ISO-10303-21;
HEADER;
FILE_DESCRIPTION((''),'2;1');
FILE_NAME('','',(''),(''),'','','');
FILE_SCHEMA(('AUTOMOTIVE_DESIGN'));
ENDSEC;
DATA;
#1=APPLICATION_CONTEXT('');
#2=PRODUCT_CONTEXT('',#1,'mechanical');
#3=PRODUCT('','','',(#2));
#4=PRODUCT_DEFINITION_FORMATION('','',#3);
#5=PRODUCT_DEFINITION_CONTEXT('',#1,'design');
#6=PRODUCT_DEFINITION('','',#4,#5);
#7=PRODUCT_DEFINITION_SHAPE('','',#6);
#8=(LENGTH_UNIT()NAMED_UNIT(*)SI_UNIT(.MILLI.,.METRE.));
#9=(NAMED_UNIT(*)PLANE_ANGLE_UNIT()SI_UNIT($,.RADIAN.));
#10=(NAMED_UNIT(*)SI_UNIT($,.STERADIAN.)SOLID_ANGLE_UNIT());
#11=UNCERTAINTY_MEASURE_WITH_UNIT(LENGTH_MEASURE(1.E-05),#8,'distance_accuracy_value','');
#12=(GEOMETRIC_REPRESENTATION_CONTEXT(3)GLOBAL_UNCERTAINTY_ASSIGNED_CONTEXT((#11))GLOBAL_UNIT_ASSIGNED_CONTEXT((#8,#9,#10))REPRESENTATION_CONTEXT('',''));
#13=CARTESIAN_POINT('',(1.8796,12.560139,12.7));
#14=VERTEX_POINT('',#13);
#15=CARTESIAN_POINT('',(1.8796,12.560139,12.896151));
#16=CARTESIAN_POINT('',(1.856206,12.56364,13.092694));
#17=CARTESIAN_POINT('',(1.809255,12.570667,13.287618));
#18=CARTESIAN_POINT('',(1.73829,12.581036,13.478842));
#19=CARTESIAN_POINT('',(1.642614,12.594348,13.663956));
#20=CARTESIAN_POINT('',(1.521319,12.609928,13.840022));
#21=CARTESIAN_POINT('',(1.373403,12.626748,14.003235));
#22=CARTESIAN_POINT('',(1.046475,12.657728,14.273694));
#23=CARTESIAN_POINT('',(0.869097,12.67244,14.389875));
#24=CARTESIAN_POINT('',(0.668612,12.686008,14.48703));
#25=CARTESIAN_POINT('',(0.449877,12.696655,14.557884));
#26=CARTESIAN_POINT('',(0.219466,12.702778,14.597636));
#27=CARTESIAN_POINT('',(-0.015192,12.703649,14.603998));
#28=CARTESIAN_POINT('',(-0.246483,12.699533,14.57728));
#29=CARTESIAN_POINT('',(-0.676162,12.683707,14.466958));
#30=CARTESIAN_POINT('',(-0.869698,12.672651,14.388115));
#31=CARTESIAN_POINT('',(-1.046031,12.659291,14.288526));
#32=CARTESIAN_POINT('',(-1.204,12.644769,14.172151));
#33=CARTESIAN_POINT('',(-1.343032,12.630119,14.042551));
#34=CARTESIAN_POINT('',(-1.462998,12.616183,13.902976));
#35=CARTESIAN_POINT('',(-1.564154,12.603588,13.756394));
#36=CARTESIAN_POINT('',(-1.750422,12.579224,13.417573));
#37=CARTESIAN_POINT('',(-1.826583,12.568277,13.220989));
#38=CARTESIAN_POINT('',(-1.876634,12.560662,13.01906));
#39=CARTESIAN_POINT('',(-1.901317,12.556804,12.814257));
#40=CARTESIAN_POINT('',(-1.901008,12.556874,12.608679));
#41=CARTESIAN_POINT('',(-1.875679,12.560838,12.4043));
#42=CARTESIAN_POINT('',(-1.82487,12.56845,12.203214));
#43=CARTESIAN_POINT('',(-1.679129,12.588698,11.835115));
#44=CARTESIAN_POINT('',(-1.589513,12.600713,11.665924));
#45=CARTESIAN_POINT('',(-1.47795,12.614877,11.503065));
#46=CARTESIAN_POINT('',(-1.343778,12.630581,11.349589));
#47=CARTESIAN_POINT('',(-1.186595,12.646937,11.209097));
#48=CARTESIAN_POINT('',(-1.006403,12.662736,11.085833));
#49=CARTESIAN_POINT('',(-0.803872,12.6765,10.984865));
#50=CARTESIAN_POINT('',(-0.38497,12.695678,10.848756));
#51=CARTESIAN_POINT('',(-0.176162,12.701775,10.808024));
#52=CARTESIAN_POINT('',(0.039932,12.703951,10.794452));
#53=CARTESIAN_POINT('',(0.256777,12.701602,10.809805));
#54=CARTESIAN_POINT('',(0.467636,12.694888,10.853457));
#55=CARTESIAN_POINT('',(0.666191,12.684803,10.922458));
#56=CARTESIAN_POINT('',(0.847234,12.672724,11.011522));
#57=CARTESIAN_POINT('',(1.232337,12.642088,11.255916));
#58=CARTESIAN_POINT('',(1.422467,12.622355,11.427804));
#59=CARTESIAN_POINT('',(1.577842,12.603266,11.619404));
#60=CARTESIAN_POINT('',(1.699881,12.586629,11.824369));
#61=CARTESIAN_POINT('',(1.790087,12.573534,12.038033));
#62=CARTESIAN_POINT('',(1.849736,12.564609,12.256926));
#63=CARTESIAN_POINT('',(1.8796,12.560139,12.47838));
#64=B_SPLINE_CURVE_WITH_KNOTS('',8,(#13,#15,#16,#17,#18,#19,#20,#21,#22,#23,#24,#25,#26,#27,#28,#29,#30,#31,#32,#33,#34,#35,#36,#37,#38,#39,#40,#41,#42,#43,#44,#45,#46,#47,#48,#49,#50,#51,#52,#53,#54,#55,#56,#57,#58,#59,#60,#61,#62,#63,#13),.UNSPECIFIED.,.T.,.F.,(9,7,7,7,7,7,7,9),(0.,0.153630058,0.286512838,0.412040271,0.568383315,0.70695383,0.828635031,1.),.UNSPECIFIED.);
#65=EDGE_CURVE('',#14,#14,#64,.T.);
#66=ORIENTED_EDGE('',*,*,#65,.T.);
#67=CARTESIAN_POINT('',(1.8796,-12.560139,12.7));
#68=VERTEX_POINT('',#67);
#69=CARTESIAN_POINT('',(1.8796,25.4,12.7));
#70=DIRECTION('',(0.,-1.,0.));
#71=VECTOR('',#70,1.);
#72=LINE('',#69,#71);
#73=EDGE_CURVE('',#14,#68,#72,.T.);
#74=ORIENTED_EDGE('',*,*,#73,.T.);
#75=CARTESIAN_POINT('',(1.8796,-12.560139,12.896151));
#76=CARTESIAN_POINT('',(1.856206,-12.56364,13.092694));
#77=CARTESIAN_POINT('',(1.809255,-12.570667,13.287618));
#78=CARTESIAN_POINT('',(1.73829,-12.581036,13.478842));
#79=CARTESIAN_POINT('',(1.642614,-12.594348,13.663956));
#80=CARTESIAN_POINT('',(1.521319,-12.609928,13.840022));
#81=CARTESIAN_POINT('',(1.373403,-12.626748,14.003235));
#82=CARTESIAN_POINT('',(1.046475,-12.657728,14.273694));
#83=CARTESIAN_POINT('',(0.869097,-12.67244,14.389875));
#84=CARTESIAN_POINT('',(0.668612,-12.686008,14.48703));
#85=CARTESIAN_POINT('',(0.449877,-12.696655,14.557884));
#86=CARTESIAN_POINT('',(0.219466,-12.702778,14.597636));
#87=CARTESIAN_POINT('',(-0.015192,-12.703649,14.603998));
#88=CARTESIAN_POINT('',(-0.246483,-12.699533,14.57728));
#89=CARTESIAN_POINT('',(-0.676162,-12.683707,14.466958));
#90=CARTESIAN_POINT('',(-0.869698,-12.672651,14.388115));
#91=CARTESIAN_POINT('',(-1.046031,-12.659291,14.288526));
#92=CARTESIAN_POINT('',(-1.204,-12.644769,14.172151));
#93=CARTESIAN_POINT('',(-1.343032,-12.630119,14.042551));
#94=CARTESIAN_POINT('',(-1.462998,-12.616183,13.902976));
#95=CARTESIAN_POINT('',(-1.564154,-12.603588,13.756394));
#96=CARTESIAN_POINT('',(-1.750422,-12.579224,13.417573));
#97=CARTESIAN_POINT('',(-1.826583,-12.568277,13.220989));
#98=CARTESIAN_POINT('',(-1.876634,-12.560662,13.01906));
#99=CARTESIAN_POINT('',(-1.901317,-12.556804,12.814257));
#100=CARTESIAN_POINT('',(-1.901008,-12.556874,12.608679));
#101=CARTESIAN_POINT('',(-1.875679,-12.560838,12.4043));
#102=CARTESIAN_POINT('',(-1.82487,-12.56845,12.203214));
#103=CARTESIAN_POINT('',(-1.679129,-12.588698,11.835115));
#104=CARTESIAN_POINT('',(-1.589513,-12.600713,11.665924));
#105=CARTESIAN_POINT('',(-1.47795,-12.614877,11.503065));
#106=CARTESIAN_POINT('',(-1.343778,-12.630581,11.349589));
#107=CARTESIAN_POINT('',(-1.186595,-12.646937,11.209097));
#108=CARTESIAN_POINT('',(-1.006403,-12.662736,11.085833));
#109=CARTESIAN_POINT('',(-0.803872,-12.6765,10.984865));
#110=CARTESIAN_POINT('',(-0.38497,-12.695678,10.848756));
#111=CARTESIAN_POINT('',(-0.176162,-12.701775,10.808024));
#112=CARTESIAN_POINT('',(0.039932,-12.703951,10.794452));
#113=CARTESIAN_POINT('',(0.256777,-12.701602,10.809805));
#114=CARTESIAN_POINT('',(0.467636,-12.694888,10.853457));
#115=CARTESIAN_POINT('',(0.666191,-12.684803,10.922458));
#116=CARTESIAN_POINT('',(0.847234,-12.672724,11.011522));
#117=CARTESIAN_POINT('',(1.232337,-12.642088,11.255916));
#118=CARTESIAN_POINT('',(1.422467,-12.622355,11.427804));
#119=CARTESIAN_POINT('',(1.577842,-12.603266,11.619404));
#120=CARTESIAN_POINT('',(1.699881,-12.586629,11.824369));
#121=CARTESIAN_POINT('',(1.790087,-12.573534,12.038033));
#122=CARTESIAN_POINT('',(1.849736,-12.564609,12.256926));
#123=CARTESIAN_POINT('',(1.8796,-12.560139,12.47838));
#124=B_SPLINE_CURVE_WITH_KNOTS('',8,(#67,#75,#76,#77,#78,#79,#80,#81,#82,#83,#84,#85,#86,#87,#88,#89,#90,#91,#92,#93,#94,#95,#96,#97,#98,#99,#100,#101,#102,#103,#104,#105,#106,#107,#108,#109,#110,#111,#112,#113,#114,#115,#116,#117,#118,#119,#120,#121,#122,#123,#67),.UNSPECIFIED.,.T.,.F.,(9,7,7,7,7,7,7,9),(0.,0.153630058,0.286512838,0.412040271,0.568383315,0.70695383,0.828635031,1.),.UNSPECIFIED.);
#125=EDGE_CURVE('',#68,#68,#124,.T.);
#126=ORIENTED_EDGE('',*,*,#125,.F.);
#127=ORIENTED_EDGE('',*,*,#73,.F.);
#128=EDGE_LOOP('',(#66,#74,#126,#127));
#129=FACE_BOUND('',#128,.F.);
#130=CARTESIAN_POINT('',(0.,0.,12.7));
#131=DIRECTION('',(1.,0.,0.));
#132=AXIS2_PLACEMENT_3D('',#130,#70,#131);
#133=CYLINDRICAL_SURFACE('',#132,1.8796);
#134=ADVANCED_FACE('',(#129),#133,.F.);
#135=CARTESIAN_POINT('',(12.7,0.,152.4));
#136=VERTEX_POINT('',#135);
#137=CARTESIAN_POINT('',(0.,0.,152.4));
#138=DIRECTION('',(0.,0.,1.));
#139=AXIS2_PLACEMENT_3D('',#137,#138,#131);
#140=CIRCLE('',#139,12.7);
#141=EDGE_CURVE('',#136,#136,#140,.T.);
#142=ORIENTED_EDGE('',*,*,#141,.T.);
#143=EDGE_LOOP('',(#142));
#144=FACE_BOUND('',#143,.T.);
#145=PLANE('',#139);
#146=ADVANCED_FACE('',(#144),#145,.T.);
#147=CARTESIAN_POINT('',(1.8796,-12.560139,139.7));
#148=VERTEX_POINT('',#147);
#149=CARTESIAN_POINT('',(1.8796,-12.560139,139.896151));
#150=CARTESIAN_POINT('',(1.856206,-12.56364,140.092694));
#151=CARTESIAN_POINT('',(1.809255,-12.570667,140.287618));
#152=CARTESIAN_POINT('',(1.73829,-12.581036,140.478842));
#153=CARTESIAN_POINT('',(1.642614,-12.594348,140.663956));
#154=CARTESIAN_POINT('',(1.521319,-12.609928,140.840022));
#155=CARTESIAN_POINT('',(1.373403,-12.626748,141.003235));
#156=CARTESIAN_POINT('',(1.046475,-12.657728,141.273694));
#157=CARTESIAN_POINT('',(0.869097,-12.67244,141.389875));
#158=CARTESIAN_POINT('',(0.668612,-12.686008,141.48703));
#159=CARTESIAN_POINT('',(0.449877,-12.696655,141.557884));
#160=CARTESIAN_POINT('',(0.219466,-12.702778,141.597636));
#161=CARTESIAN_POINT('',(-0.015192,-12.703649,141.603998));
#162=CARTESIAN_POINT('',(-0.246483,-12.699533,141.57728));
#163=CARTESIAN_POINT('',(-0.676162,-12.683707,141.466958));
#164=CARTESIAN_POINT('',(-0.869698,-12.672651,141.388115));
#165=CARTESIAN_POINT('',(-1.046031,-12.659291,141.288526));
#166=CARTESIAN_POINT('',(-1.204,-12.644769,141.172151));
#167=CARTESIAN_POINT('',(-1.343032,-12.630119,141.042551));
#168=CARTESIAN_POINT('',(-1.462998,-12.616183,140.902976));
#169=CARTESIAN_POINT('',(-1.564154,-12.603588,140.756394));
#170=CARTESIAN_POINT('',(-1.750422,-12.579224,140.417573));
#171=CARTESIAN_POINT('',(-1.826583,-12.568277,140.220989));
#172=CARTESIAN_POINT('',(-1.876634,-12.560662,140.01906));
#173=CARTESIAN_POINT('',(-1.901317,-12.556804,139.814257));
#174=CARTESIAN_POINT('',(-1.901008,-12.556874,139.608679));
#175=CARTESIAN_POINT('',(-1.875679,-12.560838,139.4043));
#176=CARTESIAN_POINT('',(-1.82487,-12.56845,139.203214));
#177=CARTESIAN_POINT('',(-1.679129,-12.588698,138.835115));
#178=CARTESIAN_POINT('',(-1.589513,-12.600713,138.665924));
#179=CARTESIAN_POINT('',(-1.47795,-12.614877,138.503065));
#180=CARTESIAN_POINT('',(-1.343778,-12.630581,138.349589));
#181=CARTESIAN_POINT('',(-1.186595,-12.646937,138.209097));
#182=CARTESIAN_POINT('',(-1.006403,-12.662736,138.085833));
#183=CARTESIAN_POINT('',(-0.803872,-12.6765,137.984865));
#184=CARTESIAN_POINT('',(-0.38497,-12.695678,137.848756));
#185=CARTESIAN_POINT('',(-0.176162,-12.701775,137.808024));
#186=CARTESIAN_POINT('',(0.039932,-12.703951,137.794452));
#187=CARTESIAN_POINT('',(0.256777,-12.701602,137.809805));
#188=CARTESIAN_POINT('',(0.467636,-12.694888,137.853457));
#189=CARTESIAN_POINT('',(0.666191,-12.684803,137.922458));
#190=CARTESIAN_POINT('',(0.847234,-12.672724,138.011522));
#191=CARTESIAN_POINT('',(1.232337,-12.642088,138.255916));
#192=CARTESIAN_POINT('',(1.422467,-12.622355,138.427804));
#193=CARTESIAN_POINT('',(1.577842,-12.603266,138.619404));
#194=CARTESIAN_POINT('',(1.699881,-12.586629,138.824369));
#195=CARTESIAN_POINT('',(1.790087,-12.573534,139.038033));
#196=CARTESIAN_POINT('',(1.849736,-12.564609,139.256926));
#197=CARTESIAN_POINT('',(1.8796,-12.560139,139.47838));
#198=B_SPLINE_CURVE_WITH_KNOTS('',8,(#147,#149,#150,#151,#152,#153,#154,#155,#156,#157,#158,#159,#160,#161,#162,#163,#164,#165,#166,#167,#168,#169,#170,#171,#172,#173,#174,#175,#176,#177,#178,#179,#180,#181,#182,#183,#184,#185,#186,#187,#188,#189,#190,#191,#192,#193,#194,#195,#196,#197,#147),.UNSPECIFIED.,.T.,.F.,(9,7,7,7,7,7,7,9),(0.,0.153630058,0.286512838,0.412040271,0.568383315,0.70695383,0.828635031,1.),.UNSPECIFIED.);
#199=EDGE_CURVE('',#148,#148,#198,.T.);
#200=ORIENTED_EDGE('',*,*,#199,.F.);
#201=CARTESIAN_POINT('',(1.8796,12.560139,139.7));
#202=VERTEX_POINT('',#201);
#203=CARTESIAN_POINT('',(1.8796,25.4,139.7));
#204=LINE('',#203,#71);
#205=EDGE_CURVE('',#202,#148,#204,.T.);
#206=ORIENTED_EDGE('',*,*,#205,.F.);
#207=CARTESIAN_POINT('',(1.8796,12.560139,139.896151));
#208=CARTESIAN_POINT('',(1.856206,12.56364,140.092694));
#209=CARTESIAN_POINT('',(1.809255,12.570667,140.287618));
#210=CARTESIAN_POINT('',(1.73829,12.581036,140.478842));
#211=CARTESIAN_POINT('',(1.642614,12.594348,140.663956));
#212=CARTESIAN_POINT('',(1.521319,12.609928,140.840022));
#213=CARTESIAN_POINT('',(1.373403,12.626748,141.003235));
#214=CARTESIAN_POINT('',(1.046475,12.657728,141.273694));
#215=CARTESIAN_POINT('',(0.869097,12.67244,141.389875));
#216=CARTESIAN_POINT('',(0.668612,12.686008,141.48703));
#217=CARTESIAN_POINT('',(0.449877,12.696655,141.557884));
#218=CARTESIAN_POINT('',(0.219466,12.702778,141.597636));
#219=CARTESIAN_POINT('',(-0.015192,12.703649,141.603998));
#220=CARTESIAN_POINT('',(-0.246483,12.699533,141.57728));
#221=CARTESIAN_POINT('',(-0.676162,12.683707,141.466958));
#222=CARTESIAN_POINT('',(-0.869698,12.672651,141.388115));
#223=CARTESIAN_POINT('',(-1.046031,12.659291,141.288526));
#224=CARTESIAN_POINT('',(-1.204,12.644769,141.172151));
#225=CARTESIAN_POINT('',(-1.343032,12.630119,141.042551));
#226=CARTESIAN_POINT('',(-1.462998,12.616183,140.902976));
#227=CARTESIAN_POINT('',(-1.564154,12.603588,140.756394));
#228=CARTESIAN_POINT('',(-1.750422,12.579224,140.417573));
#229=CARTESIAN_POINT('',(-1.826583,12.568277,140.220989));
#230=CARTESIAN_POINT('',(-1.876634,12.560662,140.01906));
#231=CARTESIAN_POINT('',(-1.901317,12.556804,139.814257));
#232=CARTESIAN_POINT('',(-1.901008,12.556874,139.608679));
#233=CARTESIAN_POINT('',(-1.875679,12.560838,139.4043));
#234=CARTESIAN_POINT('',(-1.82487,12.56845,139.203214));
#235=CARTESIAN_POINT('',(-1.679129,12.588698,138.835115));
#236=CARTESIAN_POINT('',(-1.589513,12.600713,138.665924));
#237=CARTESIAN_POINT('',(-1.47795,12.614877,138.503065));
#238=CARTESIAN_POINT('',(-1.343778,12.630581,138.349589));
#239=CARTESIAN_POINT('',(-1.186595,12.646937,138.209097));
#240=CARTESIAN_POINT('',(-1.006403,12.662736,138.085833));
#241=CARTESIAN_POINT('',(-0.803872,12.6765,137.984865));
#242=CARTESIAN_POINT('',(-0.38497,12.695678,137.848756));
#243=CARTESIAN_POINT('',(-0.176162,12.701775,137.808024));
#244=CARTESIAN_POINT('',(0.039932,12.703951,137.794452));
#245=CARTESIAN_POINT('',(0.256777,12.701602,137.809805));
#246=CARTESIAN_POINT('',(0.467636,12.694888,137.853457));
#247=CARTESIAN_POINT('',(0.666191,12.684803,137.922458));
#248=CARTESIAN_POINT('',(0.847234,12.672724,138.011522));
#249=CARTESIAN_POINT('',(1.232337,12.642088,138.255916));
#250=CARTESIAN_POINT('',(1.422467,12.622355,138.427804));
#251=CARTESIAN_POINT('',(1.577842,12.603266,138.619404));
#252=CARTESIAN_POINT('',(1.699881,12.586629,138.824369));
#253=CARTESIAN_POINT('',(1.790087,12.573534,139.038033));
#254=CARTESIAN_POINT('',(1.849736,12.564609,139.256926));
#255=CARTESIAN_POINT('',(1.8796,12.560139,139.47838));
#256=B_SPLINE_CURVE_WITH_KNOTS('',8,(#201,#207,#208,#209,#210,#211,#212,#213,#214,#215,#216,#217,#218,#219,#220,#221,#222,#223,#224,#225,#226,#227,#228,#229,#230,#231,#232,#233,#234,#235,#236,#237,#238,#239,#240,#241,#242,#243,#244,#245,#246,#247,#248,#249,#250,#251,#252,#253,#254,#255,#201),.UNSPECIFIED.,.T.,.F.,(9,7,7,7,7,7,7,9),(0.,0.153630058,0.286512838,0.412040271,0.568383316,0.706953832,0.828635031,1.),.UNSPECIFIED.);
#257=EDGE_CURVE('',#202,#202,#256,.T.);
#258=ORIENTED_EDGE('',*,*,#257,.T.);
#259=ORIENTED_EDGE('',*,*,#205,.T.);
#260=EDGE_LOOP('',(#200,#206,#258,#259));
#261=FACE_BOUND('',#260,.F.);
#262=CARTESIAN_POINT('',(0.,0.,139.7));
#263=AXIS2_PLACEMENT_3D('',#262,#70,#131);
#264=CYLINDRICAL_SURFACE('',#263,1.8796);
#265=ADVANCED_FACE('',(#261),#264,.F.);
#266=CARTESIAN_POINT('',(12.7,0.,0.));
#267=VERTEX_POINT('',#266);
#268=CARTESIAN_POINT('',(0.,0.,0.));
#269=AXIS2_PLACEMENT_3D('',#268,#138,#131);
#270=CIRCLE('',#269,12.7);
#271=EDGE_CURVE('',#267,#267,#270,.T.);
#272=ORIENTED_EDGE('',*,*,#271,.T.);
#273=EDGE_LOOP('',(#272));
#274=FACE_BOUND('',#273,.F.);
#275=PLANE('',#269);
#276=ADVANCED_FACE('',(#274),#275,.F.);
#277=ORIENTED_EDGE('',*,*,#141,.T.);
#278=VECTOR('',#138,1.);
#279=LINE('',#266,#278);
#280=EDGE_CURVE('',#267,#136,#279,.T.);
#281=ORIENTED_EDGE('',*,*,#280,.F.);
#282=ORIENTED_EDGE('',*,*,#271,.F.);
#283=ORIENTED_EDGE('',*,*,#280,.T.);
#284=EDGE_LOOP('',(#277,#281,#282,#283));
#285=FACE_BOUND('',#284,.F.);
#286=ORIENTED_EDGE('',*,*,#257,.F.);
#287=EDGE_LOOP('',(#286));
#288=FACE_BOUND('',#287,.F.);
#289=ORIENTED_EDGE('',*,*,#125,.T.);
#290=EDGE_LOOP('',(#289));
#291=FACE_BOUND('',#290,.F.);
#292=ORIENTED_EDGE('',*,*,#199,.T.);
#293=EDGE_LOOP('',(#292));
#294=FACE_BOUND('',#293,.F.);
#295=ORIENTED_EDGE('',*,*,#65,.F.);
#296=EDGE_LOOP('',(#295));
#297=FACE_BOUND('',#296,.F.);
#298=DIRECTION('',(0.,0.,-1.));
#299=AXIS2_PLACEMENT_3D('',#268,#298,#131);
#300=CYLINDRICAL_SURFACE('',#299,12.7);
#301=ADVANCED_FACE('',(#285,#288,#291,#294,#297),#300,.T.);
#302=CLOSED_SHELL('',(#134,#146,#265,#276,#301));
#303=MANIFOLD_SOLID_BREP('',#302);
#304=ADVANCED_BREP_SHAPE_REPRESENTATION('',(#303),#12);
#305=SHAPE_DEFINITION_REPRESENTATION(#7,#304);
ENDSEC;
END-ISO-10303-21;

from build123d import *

# Parameters (mm, degrees)
F0_R     = 12.7
F1_DEPTH = 152.4
F2_R     = 1.8796
F3_DEPTH = 25.4
F4_R     = 1.8796
F5_DEPTH = 25.4


with BuildPart() as f1:
    # F0 (on Top) → F1 (new body)
    with BuildSketch(Plane.XY):
        Circle(F0_R)
    extrude(amount=F1_DEPTH)

    # F2 (on Front) → F3 (cut, symmetric)
    with BuildSketch(Plane.XZ):
        with Locations((0, 12.7)):
            Circle(F2_R)
    extrude(amount=F3_DEPTH, both=True, mode=Mode.SUBTRACT)

    # F4 (on Front) → F5 (cut, symmetric)
    with BuildSketch(Plane.XZ):
        with Locations((0, 139.7)):
            Circle(F4_R)
    extrude(amount=F5_DEPTH, both=True, mode=Mode.SUBTRACT)


solid = f1.part
